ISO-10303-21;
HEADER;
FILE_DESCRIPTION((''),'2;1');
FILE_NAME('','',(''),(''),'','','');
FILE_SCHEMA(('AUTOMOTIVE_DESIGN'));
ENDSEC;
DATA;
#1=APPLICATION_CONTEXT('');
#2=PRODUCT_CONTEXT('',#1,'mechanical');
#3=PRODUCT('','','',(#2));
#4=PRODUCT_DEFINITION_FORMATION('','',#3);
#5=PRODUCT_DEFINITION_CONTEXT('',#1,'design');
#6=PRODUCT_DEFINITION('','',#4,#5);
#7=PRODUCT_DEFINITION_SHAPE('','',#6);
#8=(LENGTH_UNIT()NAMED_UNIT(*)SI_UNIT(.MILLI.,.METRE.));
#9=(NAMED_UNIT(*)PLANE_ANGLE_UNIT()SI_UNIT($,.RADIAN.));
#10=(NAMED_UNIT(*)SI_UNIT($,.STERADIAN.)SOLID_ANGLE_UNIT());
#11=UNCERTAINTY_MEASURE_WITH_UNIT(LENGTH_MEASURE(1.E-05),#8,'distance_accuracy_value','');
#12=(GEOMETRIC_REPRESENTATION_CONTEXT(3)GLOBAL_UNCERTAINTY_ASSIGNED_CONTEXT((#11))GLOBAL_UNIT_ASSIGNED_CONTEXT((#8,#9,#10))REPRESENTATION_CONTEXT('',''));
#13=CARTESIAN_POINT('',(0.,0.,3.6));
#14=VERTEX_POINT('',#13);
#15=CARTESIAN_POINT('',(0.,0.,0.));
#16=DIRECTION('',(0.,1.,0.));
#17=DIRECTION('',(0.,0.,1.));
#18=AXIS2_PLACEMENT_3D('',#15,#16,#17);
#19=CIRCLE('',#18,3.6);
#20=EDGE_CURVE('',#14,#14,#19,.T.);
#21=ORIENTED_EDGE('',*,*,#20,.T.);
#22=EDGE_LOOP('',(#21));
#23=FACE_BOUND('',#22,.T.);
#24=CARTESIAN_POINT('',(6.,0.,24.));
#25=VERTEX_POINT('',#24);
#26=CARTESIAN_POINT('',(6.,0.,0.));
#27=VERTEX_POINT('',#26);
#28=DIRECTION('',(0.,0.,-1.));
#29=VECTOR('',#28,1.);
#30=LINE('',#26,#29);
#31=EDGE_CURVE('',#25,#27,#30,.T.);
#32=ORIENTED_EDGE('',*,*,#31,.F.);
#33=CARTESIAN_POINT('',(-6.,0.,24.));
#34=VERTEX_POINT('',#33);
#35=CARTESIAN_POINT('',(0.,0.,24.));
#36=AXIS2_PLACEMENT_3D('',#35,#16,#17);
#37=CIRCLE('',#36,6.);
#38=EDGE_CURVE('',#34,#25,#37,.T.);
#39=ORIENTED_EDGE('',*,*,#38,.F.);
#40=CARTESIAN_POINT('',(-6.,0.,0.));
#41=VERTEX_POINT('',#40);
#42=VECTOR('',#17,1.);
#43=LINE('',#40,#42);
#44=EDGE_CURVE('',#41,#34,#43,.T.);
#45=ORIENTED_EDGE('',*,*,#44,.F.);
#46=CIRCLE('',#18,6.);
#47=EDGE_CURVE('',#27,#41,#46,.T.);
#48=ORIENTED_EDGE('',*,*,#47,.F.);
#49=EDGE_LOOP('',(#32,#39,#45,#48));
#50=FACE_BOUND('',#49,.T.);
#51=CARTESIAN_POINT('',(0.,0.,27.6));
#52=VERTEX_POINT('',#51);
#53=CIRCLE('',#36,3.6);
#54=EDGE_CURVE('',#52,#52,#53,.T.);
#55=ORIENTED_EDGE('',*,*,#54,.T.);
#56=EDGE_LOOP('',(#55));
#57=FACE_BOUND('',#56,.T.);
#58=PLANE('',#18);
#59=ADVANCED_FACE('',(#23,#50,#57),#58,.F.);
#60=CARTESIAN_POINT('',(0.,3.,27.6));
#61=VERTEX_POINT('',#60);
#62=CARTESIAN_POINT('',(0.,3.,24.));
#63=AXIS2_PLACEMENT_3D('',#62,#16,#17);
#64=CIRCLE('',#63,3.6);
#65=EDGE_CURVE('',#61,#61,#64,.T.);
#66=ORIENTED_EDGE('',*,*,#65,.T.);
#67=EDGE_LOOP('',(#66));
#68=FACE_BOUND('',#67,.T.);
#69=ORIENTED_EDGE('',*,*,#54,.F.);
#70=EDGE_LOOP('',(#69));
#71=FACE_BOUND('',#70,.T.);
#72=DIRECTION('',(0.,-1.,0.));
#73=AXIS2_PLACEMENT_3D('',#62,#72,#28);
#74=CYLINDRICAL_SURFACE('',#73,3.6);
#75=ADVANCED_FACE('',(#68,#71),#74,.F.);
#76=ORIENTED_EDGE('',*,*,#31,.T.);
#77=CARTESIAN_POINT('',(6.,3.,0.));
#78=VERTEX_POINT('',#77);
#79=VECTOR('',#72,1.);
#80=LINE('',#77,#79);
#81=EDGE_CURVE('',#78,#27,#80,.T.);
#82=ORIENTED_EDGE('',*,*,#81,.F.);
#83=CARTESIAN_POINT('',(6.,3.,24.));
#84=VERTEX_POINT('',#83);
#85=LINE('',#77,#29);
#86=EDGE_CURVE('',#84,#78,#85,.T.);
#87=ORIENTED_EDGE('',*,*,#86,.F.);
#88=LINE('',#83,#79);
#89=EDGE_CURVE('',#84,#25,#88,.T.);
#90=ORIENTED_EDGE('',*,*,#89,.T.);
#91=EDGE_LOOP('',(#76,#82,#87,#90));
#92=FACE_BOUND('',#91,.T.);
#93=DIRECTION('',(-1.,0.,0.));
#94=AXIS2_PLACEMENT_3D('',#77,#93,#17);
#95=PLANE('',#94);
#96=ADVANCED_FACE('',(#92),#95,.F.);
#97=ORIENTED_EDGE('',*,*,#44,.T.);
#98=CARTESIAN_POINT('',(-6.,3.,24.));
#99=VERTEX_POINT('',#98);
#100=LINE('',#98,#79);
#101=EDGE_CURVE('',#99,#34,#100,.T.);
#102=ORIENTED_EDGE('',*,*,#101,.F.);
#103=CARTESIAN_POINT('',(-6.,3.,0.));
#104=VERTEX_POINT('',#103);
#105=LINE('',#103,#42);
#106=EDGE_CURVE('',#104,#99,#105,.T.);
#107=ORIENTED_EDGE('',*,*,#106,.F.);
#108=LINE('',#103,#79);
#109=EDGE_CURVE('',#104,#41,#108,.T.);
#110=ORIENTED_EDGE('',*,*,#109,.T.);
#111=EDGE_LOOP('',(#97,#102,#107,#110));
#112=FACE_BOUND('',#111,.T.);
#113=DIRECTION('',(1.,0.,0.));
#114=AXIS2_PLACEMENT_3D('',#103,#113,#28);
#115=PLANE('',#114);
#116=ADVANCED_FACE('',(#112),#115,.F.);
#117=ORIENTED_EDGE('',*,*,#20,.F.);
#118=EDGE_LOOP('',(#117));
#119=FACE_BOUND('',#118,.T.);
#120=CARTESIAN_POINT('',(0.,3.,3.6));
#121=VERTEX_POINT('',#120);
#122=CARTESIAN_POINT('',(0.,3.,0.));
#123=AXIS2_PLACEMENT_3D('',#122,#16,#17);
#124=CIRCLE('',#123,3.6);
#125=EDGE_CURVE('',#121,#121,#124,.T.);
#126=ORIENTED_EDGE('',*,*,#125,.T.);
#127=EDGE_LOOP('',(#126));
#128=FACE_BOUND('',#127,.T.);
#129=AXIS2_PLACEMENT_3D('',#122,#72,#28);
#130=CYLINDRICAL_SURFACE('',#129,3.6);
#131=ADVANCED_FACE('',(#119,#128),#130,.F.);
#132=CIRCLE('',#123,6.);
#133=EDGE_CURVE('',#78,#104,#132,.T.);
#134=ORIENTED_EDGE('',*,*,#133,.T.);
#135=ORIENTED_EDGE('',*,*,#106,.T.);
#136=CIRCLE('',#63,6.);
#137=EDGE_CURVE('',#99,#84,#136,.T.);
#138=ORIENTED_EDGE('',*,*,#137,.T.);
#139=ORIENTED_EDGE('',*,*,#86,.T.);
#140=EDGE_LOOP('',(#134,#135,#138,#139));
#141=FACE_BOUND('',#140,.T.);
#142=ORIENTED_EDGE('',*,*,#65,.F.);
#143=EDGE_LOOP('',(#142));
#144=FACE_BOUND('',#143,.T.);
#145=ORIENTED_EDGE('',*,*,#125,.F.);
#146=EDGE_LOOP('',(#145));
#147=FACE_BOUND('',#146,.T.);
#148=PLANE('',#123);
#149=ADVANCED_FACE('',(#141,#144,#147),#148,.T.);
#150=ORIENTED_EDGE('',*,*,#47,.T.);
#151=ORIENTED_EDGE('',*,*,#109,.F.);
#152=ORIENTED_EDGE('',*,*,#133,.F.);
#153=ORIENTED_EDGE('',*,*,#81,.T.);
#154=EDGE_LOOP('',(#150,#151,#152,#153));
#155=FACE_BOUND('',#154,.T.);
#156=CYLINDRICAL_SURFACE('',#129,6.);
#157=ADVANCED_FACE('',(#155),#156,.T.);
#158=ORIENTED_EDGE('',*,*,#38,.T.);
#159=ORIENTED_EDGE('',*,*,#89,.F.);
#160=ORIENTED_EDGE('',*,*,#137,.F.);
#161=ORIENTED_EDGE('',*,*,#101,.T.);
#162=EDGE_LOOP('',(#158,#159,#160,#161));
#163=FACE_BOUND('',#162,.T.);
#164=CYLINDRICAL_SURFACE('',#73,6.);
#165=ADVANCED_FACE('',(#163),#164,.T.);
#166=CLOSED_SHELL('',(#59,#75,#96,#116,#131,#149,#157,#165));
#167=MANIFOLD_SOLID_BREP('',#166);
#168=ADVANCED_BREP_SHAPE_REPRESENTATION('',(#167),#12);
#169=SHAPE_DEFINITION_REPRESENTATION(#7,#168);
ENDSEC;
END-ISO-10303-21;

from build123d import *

# Parameters (mm, degrees)
SKETCH1_R           = 3.6
BOSS_EXTRUDE1_DEPTH = 3


with BuildPart() as part:
    # Sketch1 → Boss-Extrude1 (new body)
    with BuildSketch(Plane(origin=(0, 0, 0), x_dir=(1, 0, 0), z_dir=(0, 1, 0))):
        with BuildLine():
            Line((6, 0), (6, -24))
            ThreePointArc((6, -24), (0, -30), (-6, -24))
            Line((-6, -24), (-6, 0))
            ThreePointArc((-6, 0), (0, 6), (6, 0))
        make_face()
        with Locations(Location((0, 0, 0), (0, 0, 270))):
            Circle(SKETCH1_R, mode=Mode.SUBTRACT)
        with Locations(Location((0, -24, 0), (0, 0, 270))):
            Circle(SKETCH1_R, mode=Mode.SUBTRACT)
    extrude(amount=BOSS_EXTRUDE1_DEPTH)


solid = part.part
